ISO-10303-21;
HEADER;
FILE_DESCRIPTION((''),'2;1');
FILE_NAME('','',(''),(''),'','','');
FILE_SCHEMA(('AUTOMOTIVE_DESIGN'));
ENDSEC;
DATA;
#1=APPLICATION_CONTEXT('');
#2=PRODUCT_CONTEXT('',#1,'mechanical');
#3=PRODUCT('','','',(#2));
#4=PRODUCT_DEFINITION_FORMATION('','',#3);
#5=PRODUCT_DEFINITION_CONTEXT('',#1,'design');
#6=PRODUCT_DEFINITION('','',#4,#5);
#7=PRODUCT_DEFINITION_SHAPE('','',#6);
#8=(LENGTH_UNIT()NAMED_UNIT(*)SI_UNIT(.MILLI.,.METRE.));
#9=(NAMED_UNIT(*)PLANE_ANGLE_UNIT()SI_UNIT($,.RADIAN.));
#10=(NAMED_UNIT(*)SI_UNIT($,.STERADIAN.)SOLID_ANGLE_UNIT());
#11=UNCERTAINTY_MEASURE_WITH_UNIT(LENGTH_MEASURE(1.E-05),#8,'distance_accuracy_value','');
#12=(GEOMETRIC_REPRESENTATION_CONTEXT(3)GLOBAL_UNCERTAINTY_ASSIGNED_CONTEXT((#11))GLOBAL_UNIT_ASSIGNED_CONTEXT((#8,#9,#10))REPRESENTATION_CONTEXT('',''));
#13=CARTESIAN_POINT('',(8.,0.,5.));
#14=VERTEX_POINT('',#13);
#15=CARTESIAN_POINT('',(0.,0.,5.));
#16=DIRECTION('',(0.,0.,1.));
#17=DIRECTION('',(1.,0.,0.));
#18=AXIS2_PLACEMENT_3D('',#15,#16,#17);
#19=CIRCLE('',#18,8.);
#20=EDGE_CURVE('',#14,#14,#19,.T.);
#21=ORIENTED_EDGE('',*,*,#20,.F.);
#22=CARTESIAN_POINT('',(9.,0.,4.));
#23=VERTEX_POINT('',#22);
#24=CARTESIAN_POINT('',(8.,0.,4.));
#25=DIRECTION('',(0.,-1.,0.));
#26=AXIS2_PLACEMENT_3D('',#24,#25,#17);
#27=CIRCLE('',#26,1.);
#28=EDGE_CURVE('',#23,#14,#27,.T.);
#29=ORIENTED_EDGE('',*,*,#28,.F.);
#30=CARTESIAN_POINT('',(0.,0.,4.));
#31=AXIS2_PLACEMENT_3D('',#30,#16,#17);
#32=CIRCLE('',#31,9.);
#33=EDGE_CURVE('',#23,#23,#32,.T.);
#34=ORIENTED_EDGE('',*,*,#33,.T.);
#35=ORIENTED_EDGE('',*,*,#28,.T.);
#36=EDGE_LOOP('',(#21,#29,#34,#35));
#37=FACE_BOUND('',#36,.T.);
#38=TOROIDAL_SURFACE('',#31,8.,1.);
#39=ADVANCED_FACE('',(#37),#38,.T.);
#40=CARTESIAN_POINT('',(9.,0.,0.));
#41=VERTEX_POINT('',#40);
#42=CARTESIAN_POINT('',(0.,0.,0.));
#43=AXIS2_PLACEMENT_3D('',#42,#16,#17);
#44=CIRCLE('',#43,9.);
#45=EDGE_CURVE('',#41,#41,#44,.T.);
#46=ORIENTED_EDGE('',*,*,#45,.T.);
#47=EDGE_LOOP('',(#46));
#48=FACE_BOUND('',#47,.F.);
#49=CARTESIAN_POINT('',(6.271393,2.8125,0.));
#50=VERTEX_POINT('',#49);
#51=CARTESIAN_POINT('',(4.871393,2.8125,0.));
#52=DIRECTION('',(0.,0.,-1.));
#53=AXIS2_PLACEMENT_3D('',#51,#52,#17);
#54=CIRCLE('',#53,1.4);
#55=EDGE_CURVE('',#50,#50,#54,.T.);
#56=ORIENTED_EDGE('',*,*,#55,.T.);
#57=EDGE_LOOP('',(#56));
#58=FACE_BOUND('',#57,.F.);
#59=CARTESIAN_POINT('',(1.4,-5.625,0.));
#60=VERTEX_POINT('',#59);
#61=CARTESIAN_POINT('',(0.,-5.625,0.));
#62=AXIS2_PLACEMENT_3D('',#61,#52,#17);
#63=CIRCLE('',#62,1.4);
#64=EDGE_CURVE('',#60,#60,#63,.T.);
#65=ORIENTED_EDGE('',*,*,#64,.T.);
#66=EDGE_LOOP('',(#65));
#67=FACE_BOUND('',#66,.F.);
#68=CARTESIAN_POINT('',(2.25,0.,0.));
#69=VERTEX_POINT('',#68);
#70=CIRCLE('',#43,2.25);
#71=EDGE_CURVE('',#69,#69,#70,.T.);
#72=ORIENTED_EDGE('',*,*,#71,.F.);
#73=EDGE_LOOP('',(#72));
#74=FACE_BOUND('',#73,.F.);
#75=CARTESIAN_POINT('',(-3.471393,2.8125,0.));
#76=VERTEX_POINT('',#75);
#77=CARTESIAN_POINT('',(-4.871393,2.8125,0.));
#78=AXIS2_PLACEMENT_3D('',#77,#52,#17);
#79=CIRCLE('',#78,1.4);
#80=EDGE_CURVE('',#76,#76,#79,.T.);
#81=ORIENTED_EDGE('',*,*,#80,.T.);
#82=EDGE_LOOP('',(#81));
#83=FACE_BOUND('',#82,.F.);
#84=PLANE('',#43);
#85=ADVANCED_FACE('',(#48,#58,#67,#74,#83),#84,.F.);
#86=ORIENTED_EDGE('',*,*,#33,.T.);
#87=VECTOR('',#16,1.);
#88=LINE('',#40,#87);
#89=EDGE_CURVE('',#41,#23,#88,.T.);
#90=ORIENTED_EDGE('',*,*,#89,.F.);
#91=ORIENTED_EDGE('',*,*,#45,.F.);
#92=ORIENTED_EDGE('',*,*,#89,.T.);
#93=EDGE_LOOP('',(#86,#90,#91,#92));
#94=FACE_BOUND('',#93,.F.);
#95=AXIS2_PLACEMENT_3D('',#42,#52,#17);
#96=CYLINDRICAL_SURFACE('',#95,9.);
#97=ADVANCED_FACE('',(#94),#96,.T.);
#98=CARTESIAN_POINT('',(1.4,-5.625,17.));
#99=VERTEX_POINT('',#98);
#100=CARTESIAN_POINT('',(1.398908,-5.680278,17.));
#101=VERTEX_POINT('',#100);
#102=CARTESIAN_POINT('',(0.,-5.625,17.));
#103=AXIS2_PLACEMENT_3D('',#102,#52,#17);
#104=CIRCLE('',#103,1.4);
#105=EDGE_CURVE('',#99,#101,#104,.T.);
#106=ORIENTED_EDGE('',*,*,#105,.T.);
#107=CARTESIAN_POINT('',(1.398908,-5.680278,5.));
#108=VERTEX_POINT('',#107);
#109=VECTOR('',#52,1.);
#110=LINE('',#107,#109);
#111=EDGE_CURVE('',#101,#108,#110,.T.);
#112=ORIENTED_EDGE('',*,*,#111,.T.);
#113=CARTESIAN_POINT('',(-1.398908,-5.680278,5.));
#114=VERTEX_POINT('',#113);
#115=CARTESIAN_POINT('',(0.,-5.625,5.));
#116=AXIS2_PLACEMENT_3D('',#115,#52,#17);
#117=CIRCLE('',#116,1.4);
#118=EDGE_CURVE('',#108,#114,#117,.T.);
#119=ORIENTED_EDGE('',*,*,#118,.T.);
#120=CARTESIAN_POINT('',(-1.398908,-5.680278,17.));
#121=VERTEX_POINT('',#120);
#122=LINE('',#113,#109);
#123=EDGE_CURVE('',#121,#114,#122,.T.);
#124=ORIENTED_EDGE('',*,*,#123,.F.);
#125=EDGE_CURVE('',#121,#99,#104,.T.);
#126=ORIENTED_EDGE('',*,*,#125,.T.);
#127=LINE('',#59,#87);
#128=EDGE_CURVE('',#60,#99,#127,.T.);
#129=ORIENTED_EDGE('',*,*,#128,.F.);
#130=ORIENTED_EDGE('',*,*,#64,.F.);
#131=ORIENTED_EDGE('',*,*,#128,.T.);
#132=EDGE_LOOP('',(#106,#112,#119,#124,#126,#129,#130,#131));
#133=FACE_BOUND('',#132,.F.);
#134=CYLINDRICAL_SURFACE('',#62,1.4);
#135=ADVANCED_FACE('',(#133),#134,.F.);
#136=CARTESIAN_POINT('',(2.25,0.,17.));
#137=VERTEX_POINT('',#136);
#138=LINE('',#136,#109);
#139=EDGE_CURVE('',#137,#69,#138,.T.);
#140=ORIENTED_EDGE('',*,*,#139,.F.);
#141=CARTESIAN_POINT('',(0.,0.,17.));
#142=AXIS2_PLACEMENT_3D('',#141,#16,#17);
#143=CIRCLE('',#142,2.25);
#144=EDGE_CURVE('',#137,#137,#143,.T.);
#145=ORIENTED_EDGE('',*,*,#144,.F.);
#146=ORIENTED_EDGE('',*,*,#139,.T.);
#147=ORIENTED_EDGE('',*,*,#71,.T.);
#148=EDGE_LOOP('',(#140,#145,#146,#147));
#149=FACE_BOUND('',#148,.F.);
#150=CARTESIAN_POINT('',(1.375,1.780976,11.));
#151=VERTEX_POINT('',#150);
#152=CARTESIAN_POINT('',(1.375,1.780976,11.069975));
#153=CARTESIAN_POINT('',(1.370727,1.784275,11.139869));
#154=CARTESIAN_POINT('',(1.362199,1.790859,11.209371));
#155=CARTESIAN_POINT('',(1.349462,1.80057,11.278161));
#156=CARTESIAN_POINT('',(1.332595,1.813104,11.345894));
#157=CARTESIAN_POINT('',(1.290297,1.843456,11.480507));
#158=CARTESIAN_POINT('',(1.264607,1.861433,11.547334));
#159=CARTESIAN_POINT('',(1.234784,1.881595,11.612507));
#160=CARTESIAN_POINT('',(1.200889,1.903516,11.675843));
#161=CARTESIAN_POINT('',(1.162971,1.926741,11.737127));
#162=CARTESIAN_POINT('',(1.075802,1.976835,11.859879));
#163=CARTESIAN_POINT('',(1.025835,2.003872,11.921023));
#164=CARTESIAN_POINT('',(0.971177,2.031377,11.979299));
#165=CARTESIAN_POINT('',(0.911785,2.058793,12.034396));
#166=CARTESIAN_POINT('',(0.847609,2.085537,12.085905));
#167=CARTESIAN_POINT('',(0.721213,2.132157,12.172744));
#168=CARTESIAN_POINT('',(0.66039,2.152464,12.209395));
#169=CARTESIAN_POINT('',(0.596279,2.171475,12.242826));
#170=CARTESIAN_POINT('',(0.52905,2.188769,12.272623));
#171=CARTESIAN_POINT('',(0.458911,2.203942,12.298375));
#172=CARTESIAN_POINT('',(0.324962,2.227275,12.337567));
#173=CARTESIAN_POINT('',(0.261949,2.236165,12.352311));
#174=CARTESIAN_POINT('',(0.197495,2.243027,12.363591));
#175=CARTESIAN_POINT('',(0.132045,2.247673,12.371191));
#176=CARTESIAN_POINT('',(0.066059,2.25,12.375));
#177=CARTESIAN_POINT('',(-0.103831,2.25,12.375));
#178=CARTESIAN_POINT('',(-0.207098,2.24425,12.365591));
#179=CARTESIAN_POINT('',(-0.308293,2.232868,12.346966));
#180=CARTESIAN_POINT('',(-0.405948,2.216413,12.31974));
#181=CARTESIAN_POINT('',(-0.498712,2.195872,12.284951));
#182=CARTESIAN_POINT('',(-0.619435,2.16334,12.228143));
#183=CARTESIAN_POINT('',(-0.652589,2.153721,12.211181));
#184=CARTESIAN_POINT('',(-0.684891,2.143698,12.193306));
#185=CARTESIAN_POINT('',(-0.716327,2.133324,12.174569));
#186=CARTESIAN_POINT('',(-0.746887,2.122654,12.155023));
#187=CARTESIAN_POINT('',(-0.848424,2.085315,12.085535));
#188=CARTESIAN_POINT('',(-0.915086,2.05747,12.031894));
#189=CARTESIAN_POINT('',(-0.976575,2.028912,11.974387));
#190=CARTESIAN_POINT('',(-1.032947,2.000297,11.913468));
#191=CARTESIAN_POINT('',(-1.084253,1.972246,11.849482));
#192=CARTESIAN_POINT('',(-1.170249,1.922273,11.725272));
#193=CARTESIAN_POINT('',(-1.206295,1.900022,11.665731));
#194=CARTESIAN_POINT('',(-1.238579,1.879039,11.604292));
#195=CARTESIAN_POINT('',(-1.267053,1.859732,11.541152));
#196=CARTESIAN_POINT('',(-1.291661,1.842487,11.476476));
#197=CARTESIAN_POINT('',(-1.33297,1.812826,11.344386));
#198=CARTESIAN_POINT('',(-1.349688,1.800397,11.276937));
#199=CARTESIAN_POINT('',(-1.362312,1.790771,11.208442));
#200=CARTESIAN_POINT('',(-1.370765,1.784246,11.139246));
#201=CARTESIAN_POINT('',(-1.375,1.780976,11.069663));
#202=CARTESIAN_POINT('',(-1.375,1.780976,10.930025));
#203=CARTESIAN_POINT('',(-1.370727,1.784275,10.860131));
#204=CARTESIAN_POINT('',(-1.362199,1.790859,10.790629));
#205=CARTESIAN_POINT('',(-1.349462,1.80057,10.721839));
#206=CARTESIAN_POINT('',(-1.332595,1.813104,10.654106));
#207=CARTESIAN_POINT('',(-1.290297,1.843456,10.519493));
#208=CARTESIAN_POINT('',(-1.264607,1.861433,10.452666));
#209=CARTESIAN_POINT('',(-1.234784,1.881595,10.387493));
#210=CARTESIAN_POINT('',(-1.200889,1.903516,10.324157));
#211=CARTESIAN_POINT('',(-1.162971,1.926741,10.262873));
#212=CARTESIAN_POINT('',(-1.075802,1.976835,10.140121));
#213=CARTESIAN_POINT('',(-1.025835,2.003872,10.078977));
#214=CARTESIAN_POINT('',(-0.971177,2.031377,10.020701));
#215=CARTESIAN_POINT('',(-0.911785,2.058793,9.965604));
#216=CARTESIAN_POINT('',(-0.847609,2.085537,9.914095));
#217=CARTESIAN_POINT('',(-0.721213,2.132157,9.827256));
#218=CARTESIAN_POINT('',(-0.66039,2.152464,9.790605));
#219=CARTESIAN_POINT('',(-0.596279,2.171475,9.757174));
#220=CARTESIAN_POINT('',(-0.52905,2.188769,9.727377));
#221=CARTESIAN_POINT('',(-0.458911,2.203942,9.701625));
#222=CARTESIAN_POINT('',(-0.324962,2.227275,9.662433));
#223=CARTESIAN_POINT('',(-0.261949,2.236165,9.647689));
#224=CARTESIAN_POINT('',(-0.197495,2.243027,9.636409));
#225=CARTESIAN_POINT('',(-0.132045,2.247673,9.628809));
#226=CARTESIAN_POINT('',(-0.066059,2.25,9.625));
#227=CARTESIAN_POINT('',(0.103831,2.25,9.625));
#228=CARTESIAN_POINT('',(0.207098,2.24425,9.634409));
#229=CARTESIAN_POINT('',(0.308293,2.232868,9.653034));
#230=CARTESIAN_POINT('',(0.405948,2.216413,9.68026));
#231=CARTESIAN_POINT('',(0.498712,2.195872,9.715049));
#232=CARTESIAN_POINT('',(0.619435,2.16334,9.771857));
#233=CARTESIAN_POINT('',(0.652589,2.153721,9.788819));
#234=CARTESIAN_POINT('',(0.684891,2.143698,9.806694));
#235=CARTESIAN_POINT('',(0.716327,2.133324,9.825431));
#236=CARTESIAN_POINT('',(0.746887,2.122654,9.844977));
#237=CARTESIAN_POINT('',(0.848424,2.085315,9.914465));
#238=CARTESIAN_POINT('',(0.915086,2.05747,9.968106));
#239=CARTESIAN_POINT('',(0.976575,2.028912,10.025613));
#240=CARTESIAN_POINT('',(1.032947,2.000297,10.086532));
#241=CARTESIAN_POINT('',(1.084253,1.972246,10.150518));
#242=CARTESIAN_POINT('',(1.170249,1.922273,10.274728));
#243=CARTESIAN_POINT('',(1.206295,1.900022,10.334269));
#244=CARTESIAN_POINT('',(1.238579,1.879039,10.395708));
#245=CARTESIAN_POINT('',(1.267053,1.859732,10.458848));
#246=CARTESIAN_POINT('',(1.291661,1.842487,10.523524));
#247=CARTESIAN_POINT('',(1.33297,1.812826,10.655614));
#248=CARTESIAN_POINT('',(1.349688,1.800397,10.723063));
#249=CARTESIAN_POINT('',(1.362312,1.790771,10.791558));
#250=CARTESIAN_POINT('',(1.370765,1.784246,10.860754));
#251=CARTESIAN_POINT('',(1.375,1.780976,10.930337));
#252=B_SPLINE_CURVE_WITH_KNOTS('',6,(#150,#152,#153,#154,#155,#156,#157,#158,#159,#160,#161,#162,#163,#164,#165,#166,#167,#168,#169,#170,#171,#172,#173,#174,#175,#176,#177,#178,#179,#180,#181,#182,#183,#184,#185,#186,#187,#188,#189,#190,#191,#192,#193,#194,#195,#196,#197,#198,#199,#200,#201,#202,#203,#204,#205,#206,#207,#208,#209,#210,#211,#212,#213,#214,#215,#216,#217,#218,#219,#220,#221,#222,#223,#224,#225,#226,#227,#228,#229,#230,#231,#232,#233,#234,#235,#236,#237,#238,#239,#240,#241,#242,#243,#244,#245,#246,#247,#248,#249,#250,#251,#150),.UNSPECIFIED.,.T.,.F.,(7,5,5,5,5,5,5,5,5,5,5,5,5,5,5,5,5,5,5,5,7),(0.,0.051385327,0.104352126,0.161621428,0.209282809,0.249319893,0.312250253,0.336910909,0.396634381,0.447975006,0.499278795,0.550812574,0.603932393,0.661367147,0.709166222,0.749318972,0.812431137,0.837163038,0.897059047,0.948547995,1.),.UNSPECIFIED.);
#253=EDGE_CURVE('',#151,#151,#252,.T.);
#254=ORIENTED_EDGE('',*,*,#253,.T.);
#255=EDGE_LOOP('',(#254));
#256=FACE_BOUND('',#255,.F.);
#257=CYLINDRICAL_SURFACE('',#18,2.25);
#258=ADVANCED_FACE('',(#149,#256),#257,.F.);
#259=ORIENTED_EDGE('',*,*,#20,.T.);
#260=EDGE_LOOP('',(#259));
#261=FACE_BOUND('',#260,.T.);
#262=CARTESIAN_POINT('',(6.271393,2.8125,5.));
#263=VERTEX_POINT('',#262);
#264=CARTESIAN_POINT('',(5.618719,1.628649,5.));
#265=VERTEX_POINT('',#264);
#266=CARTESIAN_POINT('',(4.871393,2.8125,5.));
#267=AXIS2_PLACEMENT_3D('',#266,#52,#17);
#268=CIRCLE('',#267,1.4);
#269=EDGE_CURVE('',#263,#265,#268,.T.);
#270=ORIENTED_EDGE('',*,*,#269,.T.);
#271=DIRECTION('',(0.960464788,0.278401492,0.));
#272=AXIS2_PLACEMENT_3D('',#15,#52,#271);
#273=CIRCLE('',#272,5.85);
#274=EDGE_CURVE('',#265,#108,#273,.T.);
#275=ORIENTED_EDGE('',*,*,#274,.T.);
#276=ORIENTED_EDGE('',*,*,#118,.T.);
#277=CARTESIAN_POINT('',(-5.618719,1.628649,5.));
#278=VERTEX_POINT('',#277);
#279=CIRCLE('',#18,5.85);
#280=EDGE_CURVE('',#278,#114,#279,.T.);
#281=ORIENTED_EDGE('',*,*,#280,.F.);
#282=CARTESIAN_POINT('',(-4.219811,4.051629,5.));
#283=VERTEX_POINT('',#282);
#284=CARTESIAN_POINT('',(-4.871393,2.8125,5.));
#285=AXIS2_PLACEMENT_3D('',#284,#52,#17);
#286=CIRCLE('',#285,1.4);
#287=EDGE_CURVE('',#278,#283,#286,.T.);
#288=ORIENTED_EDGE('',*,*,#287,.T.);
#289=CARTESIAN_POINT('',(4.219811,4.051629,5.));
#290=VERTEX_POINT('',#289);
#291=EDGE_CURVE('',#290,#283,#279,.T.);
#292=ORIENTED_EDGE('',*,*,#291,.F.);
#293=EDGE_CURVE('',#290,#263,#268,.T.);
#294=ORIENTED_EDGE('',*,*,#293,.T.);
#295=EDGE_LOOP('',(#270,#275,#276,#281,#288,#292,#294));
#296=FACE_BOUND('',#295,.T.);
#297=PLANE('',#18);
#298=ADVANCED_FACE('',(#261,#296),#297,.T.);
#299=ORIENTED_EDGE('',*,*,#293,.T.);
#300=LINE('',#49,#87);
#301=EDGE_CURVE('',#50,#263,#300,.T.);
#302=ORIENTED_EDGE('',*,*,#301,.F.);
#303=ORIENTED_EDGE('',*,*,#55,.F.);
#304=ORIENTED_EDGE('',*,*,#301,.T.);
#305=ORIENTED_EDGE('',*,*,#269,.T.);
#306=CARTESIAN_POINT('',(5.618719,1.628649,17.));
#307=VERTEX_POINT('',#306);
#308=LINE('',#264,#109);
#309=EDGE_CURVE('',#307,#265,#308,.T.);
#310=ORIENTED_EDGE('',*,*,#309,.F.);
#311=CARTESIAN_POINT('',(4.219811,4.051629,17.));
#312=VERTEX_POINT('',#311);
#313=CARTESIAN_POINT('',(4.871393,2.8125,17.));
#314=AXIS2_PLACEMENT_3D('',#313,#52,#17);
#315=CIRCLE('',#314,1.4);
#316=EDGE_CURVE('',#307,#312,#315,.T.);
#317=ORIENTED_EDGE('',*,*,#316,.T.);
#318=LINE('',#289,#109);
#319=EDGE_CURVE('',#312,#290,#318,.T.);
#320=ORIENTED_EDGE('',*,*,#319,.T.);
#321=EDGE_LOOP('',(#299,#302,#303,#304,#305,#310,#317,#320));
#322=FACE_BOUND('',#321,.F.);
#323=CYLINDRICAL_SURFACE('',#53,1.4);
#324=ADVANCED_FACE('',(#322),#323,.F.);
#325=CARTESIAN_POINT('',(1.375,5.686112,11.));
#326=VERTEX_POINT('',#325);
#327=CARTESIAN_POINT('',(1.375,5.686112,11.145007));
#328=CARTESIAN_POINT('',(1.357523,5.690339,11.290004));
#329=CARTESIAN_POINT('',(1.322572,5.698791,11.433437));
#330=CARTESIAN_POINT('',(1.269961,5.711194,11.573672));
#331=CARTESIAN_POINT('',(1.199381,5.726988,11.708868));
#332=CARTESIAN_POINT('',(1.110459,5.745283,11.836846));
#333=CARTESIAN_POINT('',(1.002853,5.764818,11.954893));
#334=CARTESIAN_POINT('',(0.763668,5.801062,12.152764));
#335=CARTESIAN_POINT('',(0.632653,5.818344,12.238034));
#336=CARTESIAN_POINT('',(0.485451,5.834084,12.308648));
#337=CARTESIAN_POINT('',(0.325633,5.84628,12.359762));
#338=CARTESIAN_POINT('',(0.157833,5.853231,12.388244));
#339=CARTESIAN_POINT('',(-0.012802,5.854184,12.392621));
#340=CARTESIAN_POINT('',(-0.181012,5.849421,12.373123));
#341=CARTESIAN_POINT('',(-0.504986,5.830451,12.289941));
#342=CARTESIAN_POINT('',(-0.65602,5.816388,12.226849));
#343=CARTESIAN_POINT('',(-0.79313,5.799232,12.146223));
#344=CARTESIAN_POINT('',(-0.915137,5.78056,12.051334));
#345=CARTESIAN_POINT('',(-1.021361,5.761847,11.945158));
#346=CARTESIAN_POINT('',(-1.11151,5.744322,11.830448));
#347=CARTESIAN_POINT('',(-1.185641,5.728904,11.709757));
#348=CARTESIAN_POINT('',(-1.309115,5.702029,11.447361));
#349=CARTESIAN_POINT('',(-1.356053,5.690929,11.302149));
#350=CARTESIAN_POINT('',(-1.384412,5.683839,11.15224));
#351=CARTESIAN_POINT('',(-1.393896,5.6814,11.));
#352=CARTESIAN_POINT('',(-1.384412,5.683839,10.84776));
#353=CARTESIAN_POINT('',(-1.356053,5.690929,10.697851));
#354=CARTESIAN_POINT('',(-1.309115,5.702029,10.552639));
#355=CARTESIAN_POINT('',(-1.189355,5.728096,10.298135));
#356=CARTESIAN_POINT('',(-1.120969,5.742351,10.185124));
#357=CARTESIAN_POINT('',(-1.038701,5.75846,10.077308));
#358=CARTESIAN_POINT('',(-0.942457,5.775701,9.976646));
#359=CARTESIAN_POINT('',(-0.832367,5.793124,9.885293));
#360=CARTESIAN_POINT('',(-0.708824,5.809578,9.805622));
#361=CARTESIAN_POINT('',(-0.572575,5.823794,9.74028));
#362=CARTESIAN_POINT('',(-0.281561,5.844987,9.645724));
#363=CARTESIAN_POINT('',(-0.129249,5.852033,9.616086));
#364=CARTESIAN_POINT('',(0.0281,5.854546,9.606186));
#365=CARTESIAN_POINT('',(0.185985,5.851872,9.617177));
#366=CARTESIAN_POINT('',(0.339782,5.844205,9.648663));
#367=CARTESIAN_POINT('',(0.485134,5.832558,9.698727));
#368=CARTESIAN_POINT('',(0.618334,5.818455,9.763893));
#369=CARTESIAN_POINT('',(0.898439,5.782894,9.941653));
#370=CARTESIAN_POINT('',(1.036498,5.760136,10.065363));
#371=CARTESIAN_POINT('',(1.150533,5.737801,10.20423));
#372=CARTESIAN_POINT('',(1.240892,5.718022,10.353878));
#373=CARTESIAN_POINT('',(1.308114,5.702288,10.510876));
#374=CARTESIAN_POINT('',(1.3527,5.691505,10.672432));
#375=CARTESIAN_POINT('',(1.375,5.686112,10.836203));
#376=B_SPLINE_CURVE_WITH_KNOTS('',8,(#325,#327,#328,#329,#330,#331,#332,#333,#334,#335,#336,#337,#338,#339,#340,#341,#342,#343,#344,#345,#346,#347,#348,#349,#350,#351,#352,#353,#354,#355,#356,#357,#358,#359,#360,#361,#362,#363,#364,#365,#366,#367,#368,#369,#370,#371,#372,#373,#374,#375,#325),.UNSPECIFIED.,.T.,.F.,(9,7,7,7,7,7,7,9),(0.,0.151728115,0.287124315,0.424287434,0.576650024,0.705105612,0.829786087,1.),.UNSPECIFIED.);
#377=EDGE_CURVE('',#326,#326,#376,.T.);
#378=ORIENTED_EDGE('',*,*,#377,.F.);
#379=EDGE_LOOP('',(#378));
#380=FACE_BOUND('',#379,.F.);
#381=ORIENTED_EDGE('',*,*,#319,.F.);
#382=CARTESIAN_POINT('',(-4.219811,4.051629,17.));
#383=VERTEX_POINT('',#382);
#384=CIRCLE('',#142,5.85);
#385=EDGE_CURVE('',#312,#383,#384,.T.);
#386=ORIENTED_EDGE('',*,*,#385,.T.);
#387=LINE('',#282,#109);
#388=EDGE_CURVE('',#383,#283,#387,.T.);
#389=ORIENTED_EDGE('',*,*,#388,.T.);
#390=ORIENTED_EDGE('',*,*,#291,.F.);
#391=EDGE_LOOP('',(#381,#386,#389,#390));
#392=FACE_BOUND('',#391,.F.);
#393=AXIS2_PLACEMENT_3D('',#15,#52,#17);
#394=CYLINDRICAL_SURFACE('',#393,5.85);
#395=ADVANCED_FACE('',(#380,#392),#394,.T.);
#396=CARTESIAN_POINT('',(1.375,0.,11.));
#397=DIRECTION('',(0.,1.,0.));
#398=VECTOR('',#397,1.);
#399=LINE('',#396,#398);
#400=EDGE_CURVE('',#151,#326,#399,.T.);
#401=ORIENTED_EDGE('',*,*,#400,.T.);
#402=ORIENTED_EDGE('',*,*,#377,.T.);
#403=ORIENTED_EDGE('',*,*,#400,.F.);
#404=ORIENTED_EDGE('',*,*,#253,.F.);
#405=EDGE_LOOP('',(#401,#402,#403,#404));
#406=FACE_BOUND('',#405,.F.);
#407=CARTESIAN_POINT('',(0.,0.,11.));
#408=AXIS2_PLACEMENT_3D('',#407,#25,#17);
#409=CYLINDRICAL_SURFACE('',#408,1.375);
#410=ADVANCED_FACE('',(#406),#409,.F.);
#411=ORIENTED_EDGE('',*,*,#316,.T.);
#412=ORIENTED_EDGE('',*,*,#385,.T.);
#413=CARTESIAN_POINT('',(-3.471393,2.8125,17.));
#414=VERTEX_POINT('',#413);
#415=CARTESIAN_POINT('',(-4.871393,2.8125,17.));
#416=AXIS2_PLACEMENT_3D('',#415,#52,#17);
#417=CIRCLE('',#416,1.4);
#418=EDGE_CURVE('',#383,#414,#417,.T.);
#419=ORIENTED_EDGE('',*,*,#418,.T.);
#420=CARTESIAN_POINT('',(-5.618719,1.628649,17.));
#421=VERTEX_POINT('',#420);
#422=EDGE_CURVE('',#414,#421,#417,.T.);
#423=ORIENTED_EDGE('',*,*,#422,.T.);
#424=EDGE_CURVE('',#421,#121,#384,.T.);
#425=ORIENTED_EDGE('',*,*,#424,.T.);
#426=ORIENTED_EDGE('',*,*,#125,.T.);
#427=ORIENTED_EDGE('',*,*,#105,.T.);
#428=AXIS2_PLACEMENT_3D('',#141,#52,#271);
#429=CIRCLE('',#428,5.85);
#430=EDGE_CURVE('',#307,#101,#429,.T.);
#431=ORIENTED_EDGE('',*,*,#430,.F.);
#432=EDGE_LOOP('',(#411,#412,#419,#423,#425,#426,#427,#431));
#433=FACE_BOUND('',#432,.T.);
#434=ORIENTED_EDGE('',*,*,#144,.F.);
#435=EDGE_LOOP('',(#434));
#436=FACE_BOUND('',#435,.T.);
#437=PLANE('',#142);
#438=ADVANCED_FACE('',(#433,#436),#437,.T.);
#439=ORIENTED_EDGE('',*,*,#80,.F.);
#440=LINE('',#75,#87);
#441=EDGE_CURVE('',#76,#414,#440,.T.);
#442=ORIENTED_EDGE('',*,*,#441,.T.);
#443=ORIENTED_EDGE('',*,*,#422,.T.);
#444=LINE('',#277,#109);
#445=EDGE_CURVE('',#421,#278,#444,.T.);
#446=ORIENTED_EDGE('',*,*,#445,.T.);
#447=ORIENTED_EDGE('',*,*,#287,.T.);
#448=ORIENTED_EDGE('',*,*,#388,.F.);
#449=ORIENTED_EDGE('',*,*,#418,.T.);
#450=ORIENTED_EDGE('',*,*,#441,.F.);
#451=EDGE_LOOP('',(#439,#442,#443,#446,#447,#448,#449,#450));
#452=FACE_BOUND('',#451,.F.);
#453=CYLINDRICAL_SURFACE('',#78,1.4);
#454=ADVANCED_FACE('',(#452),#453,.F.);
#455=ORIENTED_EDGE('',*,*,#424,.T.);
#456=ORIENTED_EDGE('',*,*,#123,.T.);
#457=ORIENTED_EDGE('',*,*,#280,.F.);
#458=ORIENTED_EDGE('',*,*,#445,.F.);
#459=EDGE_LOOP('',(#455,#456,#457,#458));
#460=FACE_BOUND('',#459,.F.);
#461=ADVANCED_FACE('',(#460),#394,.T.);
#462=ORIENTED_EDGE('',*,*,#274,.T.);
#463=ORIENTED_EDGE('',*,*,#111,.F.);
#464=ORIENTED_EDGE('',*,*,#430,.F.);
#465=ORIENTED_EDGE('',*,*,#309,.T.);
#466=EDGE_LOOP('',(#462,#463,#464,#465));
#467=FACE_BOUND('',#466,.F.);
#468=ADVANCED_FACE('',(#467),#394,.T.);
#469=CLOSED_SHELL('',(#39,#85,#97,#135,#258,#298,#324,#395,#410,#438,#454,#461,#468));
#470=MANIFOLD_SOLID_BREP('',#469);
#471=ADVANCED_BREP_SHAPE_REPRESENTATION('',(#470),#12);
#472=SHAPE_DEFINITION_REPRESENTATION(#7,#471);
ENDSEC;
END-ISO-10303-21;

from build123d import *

# Parameters (mm, degrees)
F0_R      = 9
F1_DEPTH  = 5
F2_R      = 5.85
F2_R_2    = 2.25
F3_DEPTH  = 12
F4_R      = 1.375
F5_DEPTH  = 25
F3_FACE_R = 2.25
F6_DEPTH  = 5
F7_R      = 1.4
F8_DEPTH  = 25
F9_R      = 1


with BuildPart() as f1:
    # F0 (on Top) → F1 (new body)
    with BuildSketch(Plane.XY):
        Circle(F0_R)
    extrude(amount=F1_DEPTH)

    # F2 (on face) → F3 (join)
    with BuildSketch(Plane.XY.offset(5)):
        Circle(F2_R)
        Circle(F2_R_2, mode=Mode.SUBTRACT)
    extrude(amount=F3_DEPTH)

    # F4 (on Front) → F5 (cut)
    with BuildSketch(Plane.XZ):
        with Locations((0, 11)):
            Circle(F4_R)
    extrude(amount=-F5_DEPTH, mode=Mode.SUBTRACT)

    # F3_face (on face) → F6 (cut, through all)
    with BuildSketch(Plane.XY.offset(5)):
        Circle(F3_FACE_R)
    extrude(amount=-F6_DEPTH, mode=Mode.SUBTRACT)

    # F7 (on face) → F8 (cut)
    with BuildSketch(Plane(origin=(0, 0, 0), x_dir=(1, 0, 0), z_dir=(0, 0, -1))):
        with Locations((-4.871393, -2.8125)):
            Circle(F7_R)
        with Locations((0, 5.625)):
            Circle(F7_R)
        with Locations((4.871393, -2.8125)):
            Circle(F7_R)
    extrude(amount=-F8_DEPTH, mode=Mode.SUBTRACT)

    # F9
    f9_edges = [f1.edges().sort_by_distance(p)[0] for p in [
        (-9, 0, 5),
    ]]
    fillet(f9_edges, radius=F9_R)


solid = f1.part
